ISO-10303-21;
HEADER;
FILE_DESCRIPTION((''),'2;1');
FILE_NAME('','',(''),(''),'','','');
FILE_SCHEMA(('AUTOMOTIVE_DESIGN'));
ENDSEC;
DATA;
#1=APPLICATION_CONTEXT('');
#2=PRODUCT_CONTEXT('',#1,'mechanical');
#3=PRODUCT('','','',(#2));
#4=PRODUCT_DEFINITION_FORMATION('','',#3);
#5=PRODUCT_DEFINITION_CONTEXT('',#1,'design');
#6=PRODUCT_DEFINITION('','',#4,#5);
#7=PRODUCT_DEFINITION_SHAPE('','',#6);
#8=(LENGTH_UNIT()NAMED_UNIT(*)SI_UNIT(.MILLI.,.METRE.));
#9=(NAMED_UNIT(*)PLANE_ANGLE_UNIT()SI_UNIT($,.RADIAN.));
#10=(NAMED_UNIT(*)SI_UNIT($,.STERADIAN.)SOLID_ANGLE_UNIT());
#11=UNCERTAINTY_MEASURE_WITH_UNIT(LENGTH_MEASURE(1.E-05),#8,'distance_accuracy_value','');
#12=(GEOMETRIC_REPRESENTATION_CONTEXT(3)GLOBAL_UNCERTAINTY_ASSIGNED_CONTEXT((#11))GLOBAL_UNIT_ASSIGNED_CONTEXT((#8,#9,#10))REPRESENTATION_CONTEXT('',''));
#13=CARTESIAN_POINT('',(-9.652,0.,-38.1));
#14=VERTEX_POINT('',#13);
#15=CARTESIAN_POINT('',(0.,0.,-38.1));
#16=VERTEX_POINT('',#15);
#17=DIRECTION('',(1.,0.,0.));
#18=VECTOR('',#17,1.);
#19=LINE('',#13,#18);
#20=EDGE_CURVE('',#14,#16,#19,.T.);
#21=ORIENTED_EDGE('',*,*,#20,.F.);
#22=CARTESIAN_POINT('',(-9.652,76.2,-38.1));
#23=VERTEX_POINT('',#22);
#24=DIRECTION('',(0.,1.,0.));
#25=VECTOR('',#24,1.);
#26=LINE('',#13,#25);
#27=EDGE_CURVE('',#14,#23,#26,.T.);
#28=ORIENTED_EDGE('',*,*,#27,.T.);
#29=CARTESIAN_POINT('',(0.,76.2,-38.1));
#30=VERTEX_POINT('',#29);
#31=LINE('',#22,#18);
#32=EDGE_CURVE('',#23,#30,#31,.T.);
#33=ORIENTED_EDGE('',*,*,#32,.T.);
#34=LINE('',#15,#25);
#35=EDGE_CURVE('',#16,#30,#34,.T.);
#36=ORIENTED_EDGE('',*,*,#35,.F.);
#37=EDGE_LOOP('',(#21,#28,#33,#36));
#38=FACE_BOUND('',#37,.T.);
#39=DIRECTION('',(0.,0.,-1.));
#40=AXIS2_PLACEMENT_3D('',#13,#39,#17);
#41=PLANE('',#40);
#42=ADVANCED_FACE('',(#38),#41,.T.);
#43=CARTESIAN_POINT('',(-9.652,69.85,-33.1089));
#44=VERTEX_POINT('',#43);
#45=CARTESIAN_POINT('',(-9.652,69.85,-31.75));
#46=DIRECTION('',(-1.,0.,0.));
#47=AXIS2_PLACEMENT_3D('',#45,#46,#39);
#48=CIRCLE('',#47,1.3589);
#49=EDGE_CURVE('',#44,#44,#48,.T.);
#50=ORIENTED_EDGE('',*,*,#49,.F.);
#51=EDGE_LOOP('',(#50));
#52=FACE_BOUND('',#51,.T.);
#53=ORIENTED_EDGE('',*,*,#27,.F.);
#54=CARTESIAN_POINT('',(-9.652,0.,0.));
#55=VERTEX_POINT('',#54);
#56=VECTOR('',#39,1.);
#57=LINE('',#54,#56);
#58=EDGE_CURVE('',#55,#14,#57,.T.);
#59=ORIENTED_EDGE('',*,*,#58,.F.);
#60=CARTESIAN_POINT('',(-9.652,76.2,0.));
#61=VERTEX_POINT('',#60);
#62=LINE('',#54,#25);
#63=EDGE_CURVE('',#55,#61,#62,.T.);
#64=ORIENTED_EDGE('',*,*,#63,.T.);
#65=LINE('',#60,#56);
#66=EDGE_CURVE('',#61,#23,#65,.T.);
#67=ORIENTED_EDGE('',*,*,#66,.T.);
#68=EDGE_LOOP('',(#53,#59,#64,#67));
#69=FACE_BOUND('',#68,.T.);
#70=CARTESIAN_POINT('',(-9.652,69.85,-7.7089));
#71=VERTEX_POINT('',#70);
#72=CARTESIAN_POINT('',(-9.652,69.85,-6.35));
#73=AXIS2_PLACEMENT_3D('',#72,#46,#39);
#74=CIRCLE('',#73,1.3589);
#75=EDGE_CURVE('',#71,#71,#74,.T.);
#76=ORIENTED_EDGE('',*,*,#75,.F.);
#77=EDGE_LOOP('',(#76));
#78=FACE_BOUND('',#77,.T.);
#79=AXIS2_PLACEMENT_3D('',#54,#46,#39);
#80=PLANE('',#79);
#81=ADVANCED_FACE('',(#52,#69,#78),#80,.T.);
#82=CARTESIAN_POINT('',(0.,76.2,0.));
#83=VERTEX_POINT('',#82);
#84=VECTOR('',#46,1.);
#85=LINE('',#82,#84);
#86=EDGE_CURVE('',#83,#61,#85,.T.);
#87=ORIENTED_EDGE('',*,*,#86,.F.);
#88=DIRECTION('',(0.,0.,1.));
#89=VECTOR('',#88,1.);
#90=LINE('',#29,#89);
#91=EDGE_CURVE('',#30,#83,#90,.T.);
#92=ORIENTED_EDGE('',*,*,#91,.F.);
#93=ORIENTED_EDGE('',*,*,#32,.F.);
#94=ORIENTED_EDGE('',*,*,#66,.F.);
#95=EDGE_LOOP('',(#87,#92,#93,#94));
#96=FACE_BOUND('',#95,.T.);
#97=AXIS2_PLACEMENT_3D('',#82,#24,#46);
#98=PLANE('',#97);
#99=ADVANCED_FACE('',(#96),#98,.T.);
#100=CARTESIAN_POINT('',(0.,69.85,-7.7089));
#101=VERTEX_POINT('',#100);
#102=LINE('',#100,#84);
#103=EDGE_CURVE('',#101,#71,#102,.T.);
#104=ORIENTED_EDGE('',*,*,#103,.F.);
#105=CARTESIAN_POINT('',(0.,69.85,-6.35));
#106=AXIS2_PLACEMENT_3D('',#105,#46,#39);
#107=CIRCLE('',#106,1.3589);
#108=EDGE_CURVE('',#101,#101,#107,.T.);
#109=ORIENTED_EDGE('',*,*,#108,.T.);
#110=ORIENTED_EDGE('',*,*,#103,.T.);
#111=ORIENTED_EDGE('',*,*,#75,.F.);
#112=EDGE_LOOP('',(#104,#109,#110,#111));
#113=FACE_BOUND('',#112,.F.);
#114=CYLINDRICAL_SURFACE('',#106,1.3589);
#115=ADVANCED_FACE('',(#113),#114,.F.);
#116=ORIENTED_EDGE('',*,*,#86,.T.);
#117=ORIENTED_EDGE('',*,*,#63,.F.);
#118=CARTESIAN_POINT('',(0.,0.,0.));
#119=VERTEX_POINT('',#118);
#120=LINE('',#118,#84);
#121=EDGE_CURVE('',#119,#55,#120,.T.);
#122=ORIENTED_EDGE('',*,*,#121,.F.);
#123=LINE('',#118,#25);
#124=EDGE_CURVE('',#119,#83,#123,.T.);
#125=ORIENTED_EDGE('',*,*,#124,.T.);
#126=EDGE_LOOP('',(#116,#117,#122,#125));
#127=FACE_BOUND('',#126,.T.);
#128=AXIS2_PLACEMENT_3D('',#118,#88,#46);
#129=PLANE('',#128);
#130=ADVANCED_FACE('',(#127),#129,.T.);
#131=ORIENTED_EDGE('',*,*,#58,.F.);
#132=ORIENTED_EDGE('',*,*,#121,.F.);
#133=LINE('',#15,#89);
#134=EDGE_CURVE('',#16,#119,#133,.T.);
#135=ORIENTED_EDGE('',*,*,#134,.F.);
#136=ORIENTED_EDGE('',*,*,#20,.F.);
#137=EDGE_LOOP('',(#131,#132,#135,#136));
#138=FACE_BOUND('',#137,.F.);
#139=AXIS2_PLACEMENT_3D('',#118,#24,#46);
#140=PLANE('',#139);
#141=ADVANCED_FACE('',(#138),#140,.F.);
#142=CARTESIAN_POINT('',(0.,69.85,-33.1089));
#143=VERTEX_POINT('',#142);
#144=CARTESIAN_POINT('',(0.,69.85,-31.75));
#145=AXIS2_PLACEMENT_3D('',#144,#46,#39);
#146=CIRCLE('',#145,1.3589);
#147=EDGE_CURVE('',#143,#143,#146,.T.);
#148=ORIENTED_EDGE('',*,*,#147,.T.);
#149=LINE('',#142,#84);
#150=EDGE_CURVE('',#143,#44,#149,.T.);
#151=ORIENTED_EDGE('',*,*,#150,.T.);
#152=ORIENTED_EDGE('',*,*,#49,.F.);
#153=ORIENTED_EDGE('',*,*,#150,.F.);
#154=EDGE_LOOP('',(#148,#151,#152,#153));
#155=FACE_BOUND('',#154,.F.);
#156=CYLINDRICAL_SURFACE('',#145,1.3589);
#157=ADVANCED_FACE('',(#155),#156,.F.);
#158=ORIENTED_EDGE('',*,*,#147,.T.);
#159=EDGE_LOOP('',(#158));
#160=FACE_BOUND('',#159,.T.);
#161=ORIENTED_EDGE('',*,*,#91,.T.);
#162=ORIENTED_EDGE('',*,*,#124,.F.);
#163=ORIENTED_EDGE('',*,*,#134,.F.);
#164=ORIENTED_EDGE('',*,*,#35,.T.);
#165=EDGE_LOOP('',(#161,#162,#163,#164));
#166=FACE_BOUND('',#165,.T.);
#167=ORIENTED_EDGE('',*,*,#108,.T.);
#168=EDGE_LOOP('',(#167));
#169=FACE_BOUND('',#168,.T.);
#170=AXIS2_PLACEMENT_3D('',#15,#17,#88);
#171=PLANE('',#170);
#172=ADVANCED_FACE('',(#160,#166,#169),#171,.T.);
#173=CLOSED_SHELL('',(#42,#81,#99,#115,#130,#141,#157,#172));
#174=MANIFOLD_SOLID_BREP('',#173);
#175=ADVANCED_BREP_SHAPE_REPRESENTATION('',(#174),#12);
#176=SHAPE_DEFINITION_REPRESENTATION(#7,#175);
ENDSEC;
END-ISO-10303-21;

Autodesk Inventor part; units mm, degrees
ref_plane "YZ Plane" through (0, 0, 0) normal (1, 0, 0) x (0, 1, 0)
ref_plane "XZ Plane" through (0, 0, 0) normal (0, 1, 0) x (-1, 0, 0)
ref_plane "XY Plane" through (0, 0, 0) normal (0, 0, 1) x (1, 0, 0)
sketch "Sketch1" plane through (0, 0, 0) normal (0, 1, 0) x (-1, 0, 0)
  line L0 (0, 0) -> (9.652, 0)
  line L1 (9.652, 0) -> (9.652, -38.1)
  line L2 (9.652, -38.1) -> (0, -38.1)
  line L3 (0, -38.1) -> (0, 0)
  dimension "d0" = 9.652
  dimension "d1" = 38.1
extrude "Extrusion1" add sketch "Sketch1" along normal blind 76.2
sketch "Sketch2" plane through (0, 0, 0) normal (1, 0, 0) x (0, 0, -1)
  line L0 (38.1, 0) -> (38.1, 76.2) projected
  line L1 (0, 76.2) -> (38.1, 76.2) projected
  line L2 (0, 0) -> (0, 76.2) projected
  point P0 (6.35, 69.85)
  point P1 (31.75, 69.85)
  dimension "d4" = 6.35
  dimension "d5" = 6.35
  dimension "d6" = 6.35
  dimension "d7" = 6.35
hole "Hole1" at (0, 69.85, -6.35) at (0, 69.85, -31.75) direction (-1, 0, 0) diameter 2.7178 depth 25.4 tip angle 118
equation "\"d5\" = d4"
equation "\"d6\" = d4"
equation "\"d7\" = d4"
properties part number "motor stand"
